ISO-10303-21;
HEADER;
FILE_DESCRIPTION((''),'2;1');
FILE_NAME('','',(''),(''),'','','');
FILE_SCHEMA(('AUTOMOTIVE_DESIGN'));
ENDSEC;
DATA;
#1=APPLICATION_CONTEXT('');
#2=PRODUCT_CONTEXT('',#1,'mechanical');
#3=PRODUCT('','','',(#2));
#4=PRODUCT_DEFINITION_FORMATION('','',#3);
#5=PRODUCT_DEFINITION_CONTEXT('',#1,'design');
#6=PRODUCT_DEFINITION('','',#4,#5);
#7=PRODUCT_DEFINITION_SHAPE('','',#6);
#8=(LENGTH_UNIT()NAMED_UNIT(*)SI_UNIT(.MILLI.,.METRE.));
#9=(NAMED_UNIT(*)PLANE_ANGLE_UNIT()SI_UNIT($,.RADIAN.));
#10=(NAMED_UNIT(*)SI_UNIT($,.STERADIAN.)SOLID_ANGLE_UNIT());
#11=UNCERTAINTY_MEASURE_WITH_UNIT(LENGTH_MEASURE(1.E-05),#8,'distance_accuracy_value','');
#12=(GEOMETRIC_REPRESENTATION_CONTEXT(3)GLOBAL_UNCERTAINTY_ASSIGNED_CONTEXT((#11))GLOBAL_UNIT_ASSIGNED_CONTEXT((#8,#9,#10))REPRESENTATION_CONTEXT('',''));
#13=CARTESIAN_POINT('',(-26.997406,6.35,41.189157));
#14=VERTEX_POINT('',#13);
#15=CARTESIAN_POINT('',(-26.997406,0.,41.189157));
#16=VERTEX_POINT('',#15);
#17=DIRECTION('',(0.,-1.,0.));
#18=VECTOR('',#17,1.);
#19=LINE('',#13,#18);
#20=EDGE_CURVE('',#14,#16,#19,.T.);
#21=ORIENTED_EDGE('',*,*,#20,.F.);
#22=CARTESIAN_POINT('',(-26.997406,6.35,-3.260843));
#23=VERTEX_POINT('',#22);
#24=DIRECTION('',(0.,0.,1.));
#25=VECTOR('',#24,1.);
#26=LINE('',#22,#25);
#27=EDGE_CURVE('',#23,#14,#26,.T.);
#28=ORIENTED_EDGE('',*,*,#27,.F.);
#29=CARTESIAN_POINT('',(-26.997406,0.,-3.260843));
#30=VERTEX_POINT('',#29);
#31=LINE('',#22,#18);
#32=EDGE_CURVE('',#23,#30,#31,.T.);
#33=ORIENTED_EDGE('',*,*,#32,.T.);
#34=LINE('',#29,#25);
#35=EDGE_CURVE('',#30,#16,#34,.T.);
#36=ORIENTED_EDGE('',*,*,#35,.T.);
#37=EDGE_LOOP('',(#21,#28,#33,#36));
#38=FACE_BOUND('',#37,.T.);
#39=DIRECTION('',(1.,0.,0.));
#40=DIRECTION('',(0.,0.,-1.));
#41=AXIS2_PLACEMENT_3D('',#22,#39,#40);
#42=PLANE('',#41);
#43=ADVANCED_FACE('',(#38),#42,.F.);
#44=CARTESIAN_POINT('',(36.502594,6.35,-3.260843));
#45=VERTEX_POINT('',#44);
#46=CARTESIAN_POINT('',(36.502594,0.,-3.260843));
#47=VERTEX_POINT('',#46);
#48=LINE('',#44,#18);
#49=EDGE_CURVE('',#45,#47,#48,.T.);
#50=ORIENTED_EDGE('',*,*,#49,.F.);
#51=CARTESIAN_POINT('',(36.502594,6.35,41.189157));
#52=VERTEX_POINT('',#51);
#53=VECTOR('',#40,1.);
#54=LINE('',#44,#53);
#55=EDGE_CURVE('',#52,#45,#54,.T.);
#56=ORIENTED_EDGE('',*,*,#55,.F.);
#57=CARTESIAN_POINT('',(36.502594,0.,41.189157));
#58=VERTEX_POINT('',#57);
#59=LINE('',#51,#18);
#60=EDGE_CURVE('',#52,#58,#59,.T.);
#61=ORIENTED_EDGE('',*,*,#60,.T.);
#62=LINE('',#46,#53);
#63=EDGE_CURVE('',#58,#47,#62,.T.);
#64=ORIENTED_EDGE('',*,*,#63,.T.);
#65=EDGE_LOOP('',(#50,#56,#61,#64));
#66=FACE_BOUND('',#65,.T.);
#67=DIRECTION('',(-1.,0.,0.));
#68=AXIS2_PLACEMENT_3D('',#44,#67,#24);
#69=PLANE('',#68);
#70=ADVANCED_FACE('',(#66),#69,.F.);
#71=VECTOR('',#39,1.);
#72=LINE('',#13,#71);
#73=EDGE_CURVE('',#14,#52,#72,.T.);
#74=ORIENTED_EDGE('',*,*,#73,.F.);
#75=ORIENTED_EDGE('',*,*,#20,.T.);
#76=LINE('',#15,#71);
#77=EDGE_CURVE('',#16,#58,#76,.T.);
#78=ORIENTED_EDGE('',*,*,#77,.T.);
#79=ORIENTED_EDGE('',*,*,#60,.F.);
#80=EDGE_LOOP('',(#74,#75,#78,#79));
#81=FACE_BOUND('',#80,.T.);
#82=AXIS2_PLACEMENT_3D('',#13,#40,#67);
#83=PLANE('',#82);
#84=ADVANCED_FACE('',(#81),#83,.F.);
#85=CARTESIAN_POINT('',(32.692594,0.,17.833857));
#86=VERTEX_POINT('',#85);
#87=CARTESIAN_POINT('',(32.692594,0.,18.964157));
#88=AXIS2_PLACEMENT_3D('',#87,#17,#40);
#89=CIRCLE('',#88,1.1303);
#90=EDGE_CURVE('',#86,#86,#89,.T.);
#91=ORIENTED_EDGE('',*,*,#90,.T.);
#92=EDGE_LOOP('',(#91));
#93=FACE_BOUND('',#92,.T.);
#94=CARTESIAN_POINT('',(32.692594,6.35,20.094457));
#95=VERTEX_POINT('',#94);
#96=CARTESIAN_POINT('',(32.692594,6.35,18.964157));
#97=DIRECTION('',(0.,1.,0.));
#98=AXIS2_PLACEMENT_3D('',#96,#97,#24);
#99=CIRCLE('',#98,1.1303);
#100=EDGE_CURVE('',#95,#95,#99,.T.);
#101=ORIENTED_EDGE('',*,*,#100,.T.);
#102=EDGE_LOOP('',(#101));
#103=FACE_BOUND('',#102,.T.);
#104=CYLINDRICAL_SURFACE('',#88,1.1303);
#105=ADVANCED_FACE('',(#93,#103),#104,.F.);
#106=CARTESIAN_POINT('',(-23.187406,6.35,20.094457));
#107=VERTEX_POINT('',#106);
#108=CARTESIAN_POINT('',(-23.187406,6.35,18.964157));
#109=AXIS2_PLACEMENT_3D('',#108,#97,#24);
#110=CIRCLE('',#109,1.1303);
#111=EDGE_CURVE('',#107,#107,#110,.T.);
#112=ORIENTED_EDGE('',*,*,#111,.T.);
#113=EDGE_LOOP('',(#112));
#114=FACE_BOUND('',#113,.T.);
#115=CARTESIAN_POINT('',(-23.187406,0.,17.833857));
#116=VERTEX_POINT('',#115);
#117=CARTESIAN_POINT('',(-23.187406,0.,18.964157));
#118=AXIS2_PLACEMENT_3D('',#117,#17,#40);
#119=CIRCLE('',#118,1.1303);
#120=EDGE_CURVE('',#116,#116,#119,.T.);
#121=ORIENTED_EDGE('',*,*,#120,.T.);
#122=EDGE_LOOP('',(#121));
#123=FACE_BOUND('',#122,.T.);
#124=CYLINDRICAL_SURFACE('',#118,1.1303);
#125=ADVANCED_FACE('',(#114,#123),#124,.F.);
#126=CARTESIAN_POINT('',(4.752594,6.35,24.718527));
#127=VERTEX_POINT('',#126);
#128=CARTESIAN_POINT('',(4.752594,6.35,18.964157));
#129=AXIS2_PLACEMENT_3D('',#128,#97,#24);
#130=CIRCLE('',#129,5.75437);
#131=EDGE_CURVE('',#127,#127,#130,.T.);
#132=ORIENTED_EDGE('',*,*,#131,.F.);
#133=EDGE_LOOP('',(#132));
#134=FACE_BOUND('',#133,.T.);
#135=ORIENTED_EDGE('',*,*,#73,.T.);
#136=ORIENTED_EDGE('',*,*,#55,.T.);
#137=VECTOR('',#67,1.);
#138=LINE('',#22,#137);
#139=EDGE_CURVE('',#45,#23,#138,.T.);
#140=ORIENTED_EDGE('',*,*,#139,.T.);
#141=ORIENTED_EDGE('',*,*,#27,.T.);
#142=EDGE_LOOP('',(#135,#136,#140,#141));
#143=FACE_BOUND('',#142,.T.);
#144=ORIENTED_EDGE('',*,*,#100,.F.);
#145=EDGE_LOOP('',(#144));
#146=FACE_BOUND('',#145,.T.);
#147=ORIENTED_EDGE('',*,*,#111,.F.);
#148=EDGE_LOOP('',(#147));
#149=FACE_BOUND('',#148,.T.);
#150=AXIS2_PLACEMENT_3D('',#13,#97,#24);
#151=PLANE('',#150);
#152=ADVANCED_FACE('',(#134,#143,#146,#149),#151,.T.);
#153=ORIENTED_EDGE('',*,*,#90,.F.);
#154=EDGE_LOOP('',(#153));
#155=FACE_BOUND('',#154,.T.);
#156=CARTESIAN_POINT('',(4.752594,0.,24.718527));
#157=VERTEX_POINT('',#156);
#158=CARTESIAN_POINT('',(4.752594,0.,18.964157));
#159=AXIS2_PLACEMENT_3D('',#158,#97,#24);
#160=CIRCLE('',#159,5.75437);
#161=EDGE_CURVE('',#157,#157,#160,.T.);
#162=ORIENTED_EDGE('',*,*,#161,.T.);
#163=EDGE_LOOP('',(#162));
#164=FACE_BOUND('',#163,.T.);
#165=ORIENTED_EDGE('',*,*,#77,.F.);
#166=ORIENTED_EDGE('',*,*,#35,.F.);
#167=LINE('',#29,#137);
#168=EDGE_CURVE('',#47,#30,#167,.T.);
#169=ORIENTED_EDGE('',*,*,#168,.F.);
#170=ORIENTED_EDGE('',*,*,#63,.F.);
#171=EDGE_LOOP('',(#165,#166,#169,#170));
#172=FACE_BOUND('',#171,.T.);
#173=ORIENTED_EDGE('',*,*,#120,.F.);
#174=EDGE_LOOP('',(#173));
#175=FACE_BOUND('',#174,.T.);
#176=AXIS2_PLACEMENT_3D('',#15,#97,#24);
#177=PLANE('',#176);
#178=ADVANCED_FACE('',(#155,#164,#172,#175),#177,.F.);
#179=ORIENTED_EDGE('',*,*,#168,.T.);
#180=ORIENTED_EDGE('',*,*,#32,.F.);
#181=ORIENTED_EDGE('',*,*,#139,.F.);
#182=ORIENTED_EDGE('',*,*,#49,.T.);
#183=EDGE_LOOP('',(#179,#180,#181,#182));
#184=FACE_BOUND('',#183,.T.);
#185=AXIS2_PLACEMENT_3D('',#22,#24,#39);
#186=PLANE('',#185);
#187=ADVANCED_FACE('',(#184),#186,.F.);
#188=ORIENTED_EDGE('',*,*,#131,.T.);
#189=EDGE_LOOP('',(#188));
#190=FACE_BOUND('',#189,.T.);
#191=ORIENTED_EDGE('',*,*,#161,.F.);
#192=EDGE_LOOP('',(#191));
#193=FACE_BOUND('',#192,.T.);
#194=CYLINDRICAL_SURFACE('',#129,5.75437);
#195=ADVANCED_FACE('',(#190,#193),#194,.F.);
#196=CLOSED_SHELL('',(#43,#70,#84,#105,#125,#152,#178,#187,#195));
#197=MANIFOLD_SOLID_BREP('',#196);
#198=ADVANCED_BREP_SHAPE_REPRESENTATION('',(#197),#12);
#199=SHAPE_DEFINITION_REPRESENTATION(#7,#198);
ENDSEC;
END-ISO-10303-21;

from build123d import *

# Parameters (mm, degrees)
SKETCH1_W                       = 63.5
SKETCH1_H                       = 44.45
BOSS_EXTRUDE1_DEPTH             = 6.35
LPATTERN1_COUNT                 = 2
LPATTERN1_PITCH                 = 55.88
TAP_DRILL_FOR_1_2_20_TAP1_D     = 11.50874
TAP_DRILL_FOR_1_2_20_TAP1_DEPTH = 6.35
TAP_DRILL_FOR_1_2_20_TAP1_TIP   = 3.45757432


with BuildPart() as part:
    # Sketch1 → Boss-Extrude1 (new body)
    with BuildSketch(Plane(origin=(0, 0, 0), x_dir=(1, 0, 0), z_dir=(0, 1, 0))):
        with Locations((4.75259427, -18.964156798)):
            Rectangle(SKETCH1_W, SKETCH1_H)
    extrude(amount=BOSS_EXTRUDE1_DEPTH)

    # Sketch16 → Tap Drill for #4-40 Tap1 (revolve, cut)
    with BuildSketch(Plane(origin=(-23.18740573, 0, 18.964156798), x_dir=(0, 0, -1), z_dir=(1, 0, 0))):
        Polygon((0, 0), (0, 13.379152758), (1.1303, 12.7), (1.1303, 0), align=None)
    tap_drill_for_4_40_tap1 = revolve(axis=Axis((-23.18740573, -6.35, 18.964156798), (0, 1, 0)), mode=Mode.SUBTRACT)

    # LPattern1: Tap Drill for #4-40 Tap1 ×2
    with Locations(*[(i * LPATTERN1_PITCH, 0, 0) for i in range(1, LPATTERN1_COUNT)]):
        add(tap_drill_for_4_40_tap1, mode=Mode.SUBTRACT)

    # Tap Drill for 1/2-20 Tap1
    with Locations(Plane(origin=(0, 6.35, 0), x_dir=(-1, 0, 0), z_dir=(0, 1, 0))):
        with Locations((-4.75259427, 18.964156798)):
            Hole(TAP_DRILL_FOR_1_2_20_TAP1_D / 2, depth=TAP_DRILL_FOR_1_2_20_TAP1_DEPTH)
            with Locations((0, 0, -(TAP_DRILL_FOR_1_2_20_TAP1_DEPTH + TAP_DRILL_FOR_1_2_20_TAP1_TIP / 2))):  # 118° drill point
                Cone(0, TAP_DRILL_FOR_1_2_20_TAP1_D / 2, TAP_DRILL_FOR_1_2_20_TAP1_TIP, mode=Mode.SUBTRACT)


solid = part.part
